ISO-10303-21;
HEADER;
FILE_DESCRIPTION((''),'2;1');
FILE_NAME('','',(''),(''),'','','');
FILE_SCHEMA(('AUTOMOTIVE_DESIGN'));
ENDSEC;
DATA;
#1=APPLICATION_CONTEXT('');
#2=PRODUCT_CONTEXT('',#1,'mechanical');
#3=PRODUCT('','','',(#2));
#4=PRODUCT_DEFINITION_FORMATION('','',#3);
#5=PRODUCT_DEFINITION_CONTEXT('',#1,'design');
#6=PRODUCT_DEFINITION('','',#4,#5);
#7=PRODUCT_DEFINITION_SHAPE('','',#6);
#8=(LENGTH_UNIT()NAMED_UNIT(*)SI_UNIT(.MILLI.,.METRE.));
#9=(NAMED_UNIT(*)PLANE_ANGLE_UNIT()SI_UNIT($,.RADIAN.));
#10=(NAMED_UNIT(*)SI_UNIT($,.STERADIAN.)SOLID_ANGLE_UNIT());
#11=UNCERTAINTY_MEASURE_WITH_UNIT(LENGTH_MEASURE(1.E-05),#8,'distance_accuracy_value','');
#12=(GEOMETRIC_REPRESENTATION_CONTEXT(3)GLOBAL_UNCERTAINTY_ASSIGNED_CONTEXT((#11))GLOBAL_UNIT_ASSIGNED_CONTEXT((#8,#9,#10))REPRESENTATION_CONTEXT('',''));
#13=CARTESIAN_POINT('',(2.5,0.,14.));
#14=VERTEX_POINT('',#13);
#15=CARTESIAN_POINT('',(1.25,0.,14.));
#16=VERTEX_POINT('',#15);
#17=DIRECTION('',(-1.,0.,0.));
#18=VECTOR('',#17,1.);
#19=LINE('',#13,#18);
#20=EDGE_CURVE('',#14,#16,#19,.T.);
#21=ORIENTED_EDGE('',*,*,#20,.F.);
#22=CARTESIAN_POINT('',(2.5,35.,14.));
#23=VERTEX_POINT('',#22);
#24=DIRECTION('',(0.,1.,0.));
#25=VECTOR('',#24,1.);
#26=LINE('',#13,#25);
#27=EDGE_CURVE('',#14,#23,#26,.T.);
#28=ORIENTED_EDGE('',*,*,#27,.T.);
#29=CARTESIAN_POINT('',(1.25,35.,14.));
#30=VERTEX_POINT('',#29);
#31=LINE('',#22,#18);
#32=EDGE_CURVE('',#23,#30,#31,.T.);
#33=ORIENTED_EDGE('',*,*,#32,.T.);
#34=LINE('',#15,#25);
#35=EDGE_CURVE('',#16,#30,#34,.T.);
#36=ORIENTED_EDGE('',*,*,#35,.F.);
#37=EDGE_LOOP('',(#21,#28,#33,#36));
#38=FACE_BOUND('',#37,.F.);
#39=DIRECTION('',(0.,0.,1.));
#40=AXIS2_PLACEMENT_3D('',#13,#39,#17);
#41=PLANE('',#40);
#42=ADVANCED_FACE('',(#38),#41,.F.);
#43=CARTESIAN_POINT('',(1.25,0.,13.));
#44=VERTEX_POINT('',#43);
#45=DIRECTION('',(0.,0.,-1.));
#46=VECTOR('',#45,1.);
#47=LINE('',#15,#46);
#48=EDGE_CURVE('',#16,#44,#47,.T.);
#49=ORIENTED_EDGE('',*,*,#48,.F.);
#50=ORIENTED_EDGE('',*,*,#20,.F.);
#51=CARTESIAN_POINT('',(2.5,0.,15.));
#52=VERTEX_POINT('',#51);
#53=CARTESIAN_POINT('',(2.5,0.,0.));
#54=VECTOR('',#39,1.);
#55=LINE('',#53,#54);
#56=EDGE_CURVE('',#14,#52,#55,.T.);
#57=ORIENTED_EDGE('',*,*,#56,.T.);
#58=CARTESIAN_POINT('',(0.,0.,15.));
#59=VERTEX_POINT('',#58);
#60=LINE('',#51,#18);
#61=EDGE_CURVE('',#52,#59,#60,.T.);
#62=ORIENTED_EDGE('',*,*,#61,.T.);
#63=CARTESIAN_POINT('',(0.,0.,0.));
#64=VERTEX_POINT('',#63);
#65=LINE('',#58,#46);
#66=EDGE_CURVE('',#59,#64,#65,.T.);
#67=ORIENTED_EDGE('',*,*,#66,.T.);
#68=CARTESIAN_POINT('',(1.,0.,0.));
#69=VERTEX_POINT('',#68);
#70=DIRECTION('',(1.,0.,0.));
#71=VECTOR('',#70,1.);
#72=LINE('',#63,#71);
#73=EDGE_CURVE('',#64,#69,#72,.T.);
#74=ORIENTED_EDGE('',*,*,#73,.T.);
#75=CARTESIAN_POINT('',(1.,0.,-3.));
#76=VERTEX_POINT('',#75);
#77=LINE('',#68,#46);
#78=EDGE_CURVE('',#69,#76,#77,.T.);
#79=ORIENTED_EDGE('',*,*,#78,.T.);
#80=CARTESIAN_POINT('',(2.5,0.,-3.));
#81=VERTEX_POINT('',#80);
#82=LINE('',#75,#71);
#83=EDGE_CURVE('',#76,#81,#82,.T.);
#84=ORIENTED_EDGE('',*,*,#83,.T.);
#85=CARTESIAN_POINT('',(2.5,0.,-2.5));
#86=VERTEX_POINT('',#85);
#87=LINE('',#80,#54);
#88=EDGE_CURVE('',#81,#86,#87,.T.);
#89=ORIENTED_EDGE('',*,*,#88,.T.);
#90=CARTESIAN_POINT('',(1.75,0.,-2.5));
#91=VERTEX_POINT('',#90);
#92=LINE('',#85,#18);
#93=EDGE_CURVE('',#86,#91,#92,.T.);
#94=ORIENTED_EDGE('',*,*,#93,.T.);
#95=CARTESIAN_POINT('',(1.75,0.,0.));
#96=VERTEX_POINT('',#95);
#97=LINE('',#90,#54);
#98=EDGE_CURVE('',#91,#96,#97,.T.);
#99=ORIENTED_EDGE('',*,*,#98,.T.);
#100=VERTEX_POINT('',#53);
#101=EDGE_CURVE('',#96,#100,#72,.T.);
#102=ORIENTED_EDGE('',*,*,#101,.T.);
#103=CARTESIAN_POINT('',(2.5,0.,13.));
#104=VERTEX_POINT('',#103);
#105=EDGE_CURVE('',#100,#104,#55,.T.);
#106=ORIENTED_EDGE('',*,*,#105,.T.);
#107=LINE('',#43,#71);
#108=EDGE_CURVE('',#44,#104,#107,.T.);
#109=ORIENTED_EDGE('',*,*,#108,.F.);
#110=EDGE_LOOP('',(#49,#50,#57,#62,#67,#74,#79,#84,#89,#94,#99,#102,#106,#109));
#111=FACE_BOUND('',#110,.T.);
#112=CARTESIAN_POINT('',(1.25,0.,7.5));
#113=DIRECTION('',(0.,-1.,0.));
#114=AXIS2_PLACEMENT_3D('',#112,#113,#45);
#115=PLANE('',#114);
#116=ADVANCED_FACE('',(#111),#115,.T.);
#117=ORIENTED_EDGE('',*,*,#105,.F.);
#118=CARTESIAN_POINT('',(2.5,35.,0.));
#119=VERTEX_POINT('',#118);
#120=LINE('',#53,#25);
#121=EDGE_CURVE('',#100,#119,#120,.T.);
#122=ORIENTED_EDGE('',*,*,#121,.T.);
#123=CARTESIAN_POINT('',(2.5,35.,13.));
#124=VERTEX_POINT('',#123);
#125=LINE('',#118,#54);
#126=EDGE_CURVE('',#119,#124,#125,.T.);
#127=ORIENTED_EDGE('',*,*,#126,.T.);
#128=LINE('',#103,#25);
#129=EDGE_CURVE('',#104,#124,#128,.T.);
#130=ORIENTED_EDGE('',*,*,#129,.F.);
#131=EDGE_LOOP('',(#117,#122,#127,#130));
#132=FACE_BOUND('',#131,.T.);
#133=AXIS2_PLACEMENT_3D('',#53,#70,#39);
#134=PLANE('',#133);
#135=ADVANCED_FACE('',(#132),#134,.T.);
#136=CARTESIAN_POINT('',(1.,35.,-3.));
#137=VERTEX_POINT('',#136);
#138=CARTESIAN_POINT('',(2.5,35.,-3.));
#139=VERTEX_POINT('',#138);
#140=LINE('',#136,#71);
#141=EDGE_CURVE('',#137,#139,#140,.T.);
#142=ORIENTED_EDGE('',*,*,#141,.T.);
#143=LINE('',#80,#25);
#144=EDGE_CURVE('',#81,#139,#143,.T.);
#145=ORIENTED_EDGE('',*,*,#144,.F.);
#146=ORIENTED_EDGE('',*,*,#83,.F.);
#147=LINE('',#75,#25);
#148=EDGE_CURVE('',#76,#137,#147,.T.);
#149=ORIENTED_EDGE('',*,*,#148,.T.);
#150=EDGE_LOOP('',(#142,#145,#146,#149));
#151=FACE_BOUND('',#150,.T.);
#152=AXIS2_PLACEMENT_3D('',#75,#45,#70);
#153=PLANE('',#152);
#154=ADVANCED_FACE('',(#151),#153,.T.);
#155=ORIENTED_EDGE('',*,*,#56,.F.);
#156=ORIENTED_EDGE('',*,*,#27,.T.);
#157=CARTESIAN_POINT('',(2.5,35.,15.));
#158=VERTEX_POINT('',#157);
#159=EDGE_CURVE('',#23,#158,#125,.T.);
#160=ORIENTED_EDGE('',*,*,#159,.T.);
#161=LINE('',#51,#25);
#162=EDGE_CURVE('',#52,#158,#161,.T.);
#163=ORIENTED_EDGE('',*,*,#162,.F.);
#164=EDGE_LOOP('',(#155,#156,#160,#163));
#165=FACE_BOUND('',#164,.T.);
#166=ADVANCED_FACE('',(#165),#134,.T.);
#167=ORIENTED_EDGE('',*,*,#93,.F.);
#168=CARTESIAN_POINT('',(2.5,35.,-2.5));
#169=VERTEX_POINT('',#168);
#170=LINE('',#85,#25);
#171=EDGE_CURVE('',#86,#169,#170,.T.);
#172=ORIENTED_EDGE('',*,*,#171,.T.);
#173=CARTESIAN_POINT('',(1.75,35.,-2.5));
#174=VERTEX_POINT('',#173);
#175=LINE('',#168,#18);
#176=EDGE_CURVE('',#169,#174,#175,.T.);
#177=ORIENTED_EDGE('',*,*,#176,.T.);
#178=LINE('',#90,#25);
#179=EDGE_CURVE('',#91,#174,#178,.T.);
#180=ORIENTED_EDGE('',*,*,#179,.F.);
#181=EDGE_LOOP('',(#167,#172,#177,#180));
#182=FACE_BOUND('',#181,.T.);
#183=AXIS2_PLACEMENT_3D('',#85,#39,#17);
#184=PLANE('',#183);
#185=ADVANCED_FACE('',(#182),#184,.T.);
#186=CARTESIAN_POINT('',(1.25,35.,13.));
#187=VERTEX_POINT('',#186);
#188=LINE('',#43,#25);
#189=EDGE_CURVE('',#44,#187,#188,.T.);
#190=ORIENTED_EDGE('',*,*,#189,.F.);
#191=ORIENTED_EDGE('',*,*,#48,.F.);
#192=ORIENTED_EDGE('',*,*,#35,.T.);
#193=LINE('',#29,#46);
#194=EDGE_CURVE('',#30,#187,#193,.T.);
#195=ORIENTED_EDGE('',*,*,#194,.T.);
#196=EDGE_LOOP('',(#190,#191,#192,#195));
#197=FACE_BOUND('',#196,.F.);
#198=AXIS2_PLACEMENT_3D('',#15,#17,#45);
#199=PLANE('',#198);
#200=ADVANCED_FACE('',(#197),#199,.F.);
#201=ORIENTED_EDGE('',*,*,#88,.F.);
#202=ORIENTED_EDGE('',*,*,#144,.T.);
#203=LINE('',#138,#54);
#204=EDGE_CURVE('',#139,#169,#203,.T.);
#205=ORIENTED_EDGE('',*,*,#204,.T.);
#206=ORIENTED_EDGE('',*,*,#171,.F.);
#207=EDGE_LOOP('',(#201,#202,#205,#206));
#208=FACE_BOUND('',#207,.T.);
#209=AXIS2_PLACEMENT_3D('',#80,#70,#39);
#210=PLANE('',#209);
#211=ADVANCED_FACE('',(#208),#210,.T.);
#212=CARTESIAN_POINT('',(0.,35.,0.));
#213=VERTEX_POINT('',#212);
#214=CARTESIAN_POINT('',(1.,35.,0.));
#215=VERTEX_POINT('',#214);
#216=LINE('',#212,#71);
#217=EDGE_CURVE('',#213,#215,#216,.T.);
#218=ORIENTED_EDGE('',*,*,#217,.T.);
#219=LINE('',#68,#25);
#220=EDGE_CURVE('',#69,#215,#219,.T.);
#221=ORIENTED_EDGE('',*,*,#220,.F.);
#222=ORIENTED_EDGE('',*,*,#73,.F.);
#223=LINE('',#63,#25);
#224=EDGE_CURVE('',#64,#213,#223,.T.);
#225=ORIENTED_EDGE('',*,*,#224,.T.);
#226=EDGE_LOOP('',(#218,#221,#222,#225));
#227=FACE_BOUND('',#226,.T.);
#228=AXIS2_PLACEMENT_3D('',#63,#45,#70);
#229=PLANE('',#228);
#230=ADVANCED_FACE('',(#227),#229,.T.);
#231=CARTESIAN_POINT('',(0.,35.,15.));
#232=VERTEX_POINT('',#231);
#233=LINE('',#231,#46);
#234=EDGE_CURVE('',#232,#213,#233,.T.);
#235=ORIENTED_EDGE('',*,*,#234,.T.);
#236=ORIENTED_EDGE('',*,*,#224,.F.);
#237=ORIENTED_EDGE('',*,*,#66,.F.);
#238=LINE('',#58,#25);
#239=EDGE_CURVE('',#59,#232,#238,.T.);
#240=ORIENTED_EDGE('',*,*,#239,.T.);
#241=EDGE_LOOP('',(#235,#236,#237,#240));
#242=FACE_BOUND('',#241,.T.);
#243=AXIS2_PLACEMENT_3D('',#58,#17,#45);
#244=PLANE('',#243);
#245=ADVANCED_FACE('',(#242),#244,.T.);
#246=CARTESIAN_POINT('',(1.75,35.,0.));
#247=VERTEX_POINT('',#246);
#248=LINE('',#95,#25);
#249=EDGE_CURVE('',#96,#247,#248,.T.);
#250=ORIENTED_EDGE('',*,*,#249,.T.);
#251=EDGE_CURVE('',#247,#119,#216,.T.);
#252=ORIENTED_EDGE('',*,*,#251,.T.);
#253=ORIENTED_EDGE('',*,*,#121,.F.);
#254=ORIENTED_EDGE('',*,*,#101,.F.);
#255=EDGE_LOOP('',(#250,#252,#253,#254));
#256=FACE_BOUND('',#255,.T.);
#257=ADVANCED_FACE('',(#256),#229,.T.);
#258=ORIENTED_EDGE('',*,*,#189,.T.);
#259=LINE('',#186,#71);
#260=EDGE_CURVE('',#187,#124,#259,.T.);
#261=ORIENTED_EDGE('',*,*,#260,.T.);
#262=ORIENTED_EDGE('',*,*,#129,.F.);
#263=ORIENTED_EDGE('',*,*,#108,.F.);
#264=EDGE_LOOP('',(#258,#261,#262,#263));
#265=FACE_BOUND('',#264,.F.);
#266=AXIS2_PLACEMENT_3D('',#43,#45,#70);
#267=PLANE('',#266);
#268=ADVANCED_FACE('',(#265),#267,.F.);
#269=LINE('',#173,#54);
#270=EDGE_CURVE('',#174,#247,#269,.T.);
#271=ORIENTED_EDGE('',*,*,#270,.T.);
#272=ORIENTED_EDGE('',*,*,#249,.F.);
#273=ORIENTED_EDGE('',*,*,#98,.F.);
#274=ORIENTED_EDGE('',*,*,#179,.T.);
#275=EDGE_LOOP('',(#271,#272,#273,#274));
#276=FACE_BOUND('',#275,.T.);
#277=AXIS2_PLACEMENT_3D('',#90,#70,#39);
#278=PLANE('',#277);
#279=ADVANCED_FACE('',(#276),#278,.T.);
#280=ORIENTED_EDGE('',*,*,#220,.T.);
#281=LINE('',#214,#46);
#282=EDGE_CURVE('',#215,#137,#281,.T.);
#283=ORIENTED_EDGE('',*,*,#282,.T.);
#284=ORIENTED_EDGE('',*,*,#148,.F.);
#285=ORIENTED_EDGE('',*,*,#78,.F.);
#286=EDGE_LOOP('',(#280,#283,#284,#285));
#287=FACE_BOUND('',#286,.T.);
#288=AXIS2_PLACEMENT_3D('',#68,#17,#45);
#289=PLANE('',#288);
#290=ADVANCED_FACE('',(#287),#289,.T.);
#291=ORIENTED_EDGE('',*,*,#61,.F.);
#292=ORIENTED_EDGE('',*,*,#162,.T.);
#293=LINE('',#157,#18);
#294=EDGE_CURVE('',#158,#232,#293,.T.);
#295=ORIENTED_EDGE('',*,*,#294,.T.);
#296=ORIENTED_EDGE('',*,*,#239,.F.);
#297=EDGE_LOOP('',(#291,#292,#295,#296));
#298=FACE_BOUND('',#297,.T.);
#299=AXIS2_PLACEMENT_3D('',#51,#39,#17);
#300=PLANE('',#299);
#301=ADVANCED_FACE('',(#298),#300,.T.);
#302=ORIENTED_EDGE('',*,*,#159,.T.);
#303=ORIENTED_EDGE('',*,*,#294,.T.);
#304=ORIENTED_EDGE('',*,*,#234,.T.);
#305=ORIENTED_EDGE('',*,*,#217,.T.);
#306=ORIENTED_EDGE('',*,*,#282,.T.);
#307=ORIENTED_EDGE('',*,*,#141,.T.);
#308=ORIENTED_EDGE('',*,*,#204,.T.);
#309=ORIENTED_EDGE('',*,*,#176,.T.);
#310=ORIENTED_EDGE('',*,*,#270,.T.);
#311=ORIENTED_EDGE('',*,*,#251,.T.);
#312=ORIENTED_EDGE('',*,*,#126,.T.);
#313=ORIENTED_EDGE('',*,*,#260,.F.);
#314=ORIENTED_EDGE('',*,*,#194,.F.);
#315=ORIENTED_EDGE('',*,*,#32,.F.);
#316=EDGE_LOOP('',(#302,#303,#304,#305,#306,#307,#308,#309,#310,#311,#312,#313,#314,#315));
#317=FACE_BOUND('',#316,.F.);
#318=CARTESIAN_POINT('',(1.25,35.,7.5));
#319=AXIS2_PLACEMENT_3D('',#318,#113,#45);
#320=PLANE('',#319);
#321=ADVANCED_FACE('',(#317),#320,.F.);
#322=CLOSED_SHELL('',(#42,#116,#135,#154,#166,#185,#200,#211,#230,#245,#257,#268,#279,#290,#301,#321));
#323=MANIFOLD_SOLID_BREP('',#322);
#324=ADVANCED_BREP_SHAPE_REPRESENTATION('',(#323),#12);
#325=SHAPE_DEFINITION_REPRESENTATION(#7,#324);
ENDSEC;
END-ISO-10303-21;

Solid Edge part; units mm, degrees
sketch "Sketch1" plane through (0, 0, 0) normal (0, -1, 0) x (1, 0, 0)
  line L0 (2.5, 0) -> (2.5, 15)
  line L1 (2.5, 15) -> (0, 15)
  line L2 (0, 15) -> (0, 0)
  line L3 (0, 0) -> (2.5, 0)
extrude "Protrusion1" add sketch "Sketch1" against normal blind 35
sketch "Sketch2" plane through (1.25, 0, 7.5) normal (0, -1, 0) x (0, 0, 1)
  line L0 (6.5, -1.25) -> (6.5, 0)
  line L1 (6.5, 0) -> (5.5, 0)
  line L2 (5.5, 0) -> (5.5, -1.25)
  line L3 (6.5, -1.25) -> (5.5, -1.25)
extrude "Vyříznutí_1" cut sketch "Sketch2" against normal blind 35
sketch "Sketch3" plane through (1.25, 0, 7.5) normal (0, -1, 0) x (0, 0, -1)
  line L0 (7.5, -0.25) -> (7.5, 0.5)
  line L1 (10, 0.5) -> (7.5, 0.5)
  line L2 (10, 1.25) -> (10, 0.5)
  line L3 (10.5, 1.25) -> (10, 1.25)
  line L4 (10.5, -0.25) -> (10.5, 1.25)
  line L5 (7.5, -0.25) -> (10.5, -0.25)
extrude "Vysunutí_2" add sketch "Sketch3" against normal blind 35
